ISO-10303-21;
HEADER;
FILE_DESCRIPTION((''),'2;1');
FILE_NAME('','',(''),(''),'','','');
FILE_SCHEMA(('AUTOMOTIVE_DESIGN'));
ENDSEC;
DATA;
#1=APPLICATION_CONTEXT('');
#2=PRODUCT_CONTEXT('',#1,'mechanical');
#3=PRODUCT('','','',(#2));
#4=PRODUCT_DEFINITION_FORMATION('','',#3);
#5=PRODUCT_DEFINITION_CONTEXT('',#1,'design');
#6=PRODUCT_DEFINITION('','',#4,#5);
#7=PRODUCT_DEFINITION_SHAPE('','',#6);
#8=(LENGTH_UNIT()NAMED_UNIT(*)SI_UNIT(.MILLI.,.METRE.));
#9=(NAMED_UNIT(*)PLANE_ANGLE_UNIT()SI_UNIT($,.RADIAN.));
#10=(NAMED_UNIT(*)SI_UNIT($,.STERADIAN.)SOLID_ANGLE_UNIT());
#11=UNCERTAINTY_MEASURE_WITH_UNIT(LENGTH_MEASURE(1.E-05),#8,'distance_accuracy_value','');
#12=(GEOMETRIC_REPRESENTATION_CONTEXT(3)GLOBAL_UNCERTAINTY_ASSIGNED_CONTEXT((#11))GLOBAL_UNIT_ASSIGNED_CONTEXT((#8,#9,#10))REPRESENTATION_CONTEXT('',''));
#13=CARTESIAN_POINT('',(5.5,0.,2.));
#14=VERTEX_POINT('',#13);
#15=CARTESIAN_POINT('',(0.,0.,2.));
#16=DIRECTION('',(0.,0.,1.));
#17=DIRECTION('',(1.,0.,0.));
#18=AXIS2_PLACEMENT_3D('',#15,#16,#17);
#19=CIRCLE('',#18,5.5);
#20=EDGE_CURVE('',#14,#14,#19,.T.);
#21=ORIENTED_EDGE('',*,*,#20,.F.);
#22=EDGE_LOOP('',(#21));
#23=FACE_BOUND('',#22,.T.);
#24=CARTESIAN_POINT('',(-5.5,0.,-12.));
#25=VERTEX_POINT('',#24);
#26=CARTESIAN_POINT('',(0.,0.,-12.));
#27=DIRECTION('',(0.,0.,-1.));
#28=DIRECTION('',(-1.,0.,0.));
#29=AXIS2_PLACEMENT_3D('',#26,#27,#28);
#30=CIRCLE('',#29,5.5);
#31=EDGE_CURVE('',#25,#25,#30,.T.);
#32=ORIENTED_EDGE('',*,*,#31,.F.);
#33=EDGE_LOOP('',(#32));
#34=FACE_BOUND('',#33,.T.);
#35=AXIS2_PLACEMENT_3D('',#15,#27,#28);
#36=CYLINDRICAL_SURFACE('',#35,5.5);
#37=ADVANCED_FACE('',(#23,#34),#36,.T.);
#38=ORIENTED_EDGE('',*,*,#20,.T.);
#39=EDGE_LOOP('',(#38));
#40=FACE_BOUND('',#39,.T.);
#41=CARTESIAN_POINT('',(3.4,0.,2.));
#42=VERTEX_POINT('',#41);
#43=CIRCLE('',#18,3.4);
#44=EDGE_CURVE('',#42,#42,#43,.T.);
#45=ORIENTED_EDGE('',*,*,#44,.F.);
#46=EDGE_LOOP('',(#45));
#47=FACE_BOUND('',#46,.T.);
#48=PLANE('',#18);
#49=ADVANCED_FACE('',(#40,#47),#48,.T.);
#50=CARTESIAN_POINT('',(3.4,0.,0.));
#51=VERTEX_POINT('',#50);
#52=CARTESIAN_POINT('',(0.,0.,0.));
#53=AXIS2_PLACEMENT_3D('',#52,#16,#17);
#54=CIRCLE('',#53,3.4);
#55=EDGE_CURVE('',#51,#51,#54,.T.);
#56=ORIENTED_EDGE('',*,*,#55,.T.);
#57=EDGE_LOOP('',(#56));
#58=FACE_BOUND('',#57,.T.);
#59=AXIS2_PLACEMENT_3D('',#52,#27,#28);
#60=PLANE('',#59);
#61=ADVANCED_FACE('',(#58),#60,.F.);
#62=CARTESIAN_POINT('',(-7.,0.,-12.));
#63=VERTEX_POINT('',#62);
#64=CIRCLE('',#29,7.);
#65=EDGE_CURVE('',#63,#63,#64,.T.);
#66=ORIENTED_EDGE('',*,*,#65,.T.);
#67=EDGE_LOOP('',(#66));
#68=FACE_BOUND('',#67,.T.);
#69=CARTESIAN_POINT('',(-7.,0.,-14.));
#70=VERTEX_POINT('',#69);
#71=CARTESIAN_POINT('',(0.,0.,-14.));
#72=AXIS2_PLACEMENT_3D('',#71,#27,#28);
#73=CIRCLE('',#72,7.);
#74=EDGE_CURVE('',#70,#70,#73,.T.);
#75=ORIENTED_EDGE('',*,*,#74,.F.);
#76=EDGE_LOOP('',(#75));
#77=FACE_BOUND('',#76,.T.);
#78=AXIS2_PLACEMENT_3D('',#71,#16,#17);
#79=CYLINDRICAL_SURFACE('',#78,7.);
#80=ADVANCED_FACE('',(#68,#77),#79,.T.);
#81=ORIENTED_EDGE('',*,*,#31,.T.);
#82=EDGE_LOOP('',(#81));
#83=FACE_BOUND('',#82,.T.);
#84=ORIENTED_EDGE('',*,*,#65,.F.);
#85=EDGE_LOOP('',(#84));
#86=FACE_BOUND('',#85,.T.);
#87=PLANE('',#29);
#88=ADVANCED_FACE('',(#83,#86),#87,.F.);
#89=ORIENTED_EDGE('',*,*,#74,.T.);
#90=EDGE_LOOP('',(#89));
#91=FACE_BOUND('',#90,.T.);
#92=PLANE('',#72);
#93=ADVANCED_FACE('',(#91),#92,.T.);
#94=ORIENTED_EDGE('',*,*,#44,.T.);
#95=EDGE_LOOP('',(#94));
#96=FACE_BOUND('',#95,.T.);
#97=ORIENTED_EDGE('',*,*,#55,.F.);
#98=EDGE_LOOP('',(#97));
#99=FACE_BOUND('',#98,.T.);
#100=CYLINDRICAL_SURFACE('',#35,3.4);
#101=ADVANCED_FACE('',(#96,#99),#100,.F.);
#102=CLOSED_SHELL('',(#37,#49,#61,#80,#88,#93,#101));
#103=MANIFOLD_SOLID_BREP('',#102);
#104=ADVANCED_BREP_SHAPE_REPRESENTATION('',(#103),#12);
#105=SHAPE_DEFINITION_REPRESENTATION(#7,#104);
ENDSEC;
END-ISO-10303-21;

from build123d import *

# Parameters (mm, degrees)
SKETCH1_R      = 5.5
SKETCH1_R_2    = 3.4
EXTRUDE1_DEPTH = 2
EXTRUDE2_START = 12
SKETCH2_R      = 5.5
EXTRUDE2_DEPTH = 12
SKETCH3_R      = 7
EXTRUDE3_DEPTH = 2


with BuildPart() as part:
    # Sketch1 → Extrude1 (new body)
    with BuildSketch(Plane.XY):
        Circle(SKETCH1_R)
        Circle(SKETCH1_R_2, mode=Mode.SUBTRACT)
    extrude(amount=EXTRUDE1_DEPTH)

    # Sketch2 → Extrude2 (add)
    with BuildSketch(Plane(origin=(0, 0, 0), x_dir=(-1, 0, 0), z_dir=(0, 0, -1)).offset(EXTRUDE2_START)):
        Circle(SKETCH2_R)
    extrude(amount=-EXTRUDE2_DEPTH)

    # Sketch3 → Extrude3 (add)
    with BuildSketch(Plane(origin=(0, 0, -12), x_dir=(-1, 0, 0), z_dir=(0, 0, -1))):
        Circle(SKETCH3_R)
    extrude(amount=EXTRUDE3_DEPTH)


solid = part.part
